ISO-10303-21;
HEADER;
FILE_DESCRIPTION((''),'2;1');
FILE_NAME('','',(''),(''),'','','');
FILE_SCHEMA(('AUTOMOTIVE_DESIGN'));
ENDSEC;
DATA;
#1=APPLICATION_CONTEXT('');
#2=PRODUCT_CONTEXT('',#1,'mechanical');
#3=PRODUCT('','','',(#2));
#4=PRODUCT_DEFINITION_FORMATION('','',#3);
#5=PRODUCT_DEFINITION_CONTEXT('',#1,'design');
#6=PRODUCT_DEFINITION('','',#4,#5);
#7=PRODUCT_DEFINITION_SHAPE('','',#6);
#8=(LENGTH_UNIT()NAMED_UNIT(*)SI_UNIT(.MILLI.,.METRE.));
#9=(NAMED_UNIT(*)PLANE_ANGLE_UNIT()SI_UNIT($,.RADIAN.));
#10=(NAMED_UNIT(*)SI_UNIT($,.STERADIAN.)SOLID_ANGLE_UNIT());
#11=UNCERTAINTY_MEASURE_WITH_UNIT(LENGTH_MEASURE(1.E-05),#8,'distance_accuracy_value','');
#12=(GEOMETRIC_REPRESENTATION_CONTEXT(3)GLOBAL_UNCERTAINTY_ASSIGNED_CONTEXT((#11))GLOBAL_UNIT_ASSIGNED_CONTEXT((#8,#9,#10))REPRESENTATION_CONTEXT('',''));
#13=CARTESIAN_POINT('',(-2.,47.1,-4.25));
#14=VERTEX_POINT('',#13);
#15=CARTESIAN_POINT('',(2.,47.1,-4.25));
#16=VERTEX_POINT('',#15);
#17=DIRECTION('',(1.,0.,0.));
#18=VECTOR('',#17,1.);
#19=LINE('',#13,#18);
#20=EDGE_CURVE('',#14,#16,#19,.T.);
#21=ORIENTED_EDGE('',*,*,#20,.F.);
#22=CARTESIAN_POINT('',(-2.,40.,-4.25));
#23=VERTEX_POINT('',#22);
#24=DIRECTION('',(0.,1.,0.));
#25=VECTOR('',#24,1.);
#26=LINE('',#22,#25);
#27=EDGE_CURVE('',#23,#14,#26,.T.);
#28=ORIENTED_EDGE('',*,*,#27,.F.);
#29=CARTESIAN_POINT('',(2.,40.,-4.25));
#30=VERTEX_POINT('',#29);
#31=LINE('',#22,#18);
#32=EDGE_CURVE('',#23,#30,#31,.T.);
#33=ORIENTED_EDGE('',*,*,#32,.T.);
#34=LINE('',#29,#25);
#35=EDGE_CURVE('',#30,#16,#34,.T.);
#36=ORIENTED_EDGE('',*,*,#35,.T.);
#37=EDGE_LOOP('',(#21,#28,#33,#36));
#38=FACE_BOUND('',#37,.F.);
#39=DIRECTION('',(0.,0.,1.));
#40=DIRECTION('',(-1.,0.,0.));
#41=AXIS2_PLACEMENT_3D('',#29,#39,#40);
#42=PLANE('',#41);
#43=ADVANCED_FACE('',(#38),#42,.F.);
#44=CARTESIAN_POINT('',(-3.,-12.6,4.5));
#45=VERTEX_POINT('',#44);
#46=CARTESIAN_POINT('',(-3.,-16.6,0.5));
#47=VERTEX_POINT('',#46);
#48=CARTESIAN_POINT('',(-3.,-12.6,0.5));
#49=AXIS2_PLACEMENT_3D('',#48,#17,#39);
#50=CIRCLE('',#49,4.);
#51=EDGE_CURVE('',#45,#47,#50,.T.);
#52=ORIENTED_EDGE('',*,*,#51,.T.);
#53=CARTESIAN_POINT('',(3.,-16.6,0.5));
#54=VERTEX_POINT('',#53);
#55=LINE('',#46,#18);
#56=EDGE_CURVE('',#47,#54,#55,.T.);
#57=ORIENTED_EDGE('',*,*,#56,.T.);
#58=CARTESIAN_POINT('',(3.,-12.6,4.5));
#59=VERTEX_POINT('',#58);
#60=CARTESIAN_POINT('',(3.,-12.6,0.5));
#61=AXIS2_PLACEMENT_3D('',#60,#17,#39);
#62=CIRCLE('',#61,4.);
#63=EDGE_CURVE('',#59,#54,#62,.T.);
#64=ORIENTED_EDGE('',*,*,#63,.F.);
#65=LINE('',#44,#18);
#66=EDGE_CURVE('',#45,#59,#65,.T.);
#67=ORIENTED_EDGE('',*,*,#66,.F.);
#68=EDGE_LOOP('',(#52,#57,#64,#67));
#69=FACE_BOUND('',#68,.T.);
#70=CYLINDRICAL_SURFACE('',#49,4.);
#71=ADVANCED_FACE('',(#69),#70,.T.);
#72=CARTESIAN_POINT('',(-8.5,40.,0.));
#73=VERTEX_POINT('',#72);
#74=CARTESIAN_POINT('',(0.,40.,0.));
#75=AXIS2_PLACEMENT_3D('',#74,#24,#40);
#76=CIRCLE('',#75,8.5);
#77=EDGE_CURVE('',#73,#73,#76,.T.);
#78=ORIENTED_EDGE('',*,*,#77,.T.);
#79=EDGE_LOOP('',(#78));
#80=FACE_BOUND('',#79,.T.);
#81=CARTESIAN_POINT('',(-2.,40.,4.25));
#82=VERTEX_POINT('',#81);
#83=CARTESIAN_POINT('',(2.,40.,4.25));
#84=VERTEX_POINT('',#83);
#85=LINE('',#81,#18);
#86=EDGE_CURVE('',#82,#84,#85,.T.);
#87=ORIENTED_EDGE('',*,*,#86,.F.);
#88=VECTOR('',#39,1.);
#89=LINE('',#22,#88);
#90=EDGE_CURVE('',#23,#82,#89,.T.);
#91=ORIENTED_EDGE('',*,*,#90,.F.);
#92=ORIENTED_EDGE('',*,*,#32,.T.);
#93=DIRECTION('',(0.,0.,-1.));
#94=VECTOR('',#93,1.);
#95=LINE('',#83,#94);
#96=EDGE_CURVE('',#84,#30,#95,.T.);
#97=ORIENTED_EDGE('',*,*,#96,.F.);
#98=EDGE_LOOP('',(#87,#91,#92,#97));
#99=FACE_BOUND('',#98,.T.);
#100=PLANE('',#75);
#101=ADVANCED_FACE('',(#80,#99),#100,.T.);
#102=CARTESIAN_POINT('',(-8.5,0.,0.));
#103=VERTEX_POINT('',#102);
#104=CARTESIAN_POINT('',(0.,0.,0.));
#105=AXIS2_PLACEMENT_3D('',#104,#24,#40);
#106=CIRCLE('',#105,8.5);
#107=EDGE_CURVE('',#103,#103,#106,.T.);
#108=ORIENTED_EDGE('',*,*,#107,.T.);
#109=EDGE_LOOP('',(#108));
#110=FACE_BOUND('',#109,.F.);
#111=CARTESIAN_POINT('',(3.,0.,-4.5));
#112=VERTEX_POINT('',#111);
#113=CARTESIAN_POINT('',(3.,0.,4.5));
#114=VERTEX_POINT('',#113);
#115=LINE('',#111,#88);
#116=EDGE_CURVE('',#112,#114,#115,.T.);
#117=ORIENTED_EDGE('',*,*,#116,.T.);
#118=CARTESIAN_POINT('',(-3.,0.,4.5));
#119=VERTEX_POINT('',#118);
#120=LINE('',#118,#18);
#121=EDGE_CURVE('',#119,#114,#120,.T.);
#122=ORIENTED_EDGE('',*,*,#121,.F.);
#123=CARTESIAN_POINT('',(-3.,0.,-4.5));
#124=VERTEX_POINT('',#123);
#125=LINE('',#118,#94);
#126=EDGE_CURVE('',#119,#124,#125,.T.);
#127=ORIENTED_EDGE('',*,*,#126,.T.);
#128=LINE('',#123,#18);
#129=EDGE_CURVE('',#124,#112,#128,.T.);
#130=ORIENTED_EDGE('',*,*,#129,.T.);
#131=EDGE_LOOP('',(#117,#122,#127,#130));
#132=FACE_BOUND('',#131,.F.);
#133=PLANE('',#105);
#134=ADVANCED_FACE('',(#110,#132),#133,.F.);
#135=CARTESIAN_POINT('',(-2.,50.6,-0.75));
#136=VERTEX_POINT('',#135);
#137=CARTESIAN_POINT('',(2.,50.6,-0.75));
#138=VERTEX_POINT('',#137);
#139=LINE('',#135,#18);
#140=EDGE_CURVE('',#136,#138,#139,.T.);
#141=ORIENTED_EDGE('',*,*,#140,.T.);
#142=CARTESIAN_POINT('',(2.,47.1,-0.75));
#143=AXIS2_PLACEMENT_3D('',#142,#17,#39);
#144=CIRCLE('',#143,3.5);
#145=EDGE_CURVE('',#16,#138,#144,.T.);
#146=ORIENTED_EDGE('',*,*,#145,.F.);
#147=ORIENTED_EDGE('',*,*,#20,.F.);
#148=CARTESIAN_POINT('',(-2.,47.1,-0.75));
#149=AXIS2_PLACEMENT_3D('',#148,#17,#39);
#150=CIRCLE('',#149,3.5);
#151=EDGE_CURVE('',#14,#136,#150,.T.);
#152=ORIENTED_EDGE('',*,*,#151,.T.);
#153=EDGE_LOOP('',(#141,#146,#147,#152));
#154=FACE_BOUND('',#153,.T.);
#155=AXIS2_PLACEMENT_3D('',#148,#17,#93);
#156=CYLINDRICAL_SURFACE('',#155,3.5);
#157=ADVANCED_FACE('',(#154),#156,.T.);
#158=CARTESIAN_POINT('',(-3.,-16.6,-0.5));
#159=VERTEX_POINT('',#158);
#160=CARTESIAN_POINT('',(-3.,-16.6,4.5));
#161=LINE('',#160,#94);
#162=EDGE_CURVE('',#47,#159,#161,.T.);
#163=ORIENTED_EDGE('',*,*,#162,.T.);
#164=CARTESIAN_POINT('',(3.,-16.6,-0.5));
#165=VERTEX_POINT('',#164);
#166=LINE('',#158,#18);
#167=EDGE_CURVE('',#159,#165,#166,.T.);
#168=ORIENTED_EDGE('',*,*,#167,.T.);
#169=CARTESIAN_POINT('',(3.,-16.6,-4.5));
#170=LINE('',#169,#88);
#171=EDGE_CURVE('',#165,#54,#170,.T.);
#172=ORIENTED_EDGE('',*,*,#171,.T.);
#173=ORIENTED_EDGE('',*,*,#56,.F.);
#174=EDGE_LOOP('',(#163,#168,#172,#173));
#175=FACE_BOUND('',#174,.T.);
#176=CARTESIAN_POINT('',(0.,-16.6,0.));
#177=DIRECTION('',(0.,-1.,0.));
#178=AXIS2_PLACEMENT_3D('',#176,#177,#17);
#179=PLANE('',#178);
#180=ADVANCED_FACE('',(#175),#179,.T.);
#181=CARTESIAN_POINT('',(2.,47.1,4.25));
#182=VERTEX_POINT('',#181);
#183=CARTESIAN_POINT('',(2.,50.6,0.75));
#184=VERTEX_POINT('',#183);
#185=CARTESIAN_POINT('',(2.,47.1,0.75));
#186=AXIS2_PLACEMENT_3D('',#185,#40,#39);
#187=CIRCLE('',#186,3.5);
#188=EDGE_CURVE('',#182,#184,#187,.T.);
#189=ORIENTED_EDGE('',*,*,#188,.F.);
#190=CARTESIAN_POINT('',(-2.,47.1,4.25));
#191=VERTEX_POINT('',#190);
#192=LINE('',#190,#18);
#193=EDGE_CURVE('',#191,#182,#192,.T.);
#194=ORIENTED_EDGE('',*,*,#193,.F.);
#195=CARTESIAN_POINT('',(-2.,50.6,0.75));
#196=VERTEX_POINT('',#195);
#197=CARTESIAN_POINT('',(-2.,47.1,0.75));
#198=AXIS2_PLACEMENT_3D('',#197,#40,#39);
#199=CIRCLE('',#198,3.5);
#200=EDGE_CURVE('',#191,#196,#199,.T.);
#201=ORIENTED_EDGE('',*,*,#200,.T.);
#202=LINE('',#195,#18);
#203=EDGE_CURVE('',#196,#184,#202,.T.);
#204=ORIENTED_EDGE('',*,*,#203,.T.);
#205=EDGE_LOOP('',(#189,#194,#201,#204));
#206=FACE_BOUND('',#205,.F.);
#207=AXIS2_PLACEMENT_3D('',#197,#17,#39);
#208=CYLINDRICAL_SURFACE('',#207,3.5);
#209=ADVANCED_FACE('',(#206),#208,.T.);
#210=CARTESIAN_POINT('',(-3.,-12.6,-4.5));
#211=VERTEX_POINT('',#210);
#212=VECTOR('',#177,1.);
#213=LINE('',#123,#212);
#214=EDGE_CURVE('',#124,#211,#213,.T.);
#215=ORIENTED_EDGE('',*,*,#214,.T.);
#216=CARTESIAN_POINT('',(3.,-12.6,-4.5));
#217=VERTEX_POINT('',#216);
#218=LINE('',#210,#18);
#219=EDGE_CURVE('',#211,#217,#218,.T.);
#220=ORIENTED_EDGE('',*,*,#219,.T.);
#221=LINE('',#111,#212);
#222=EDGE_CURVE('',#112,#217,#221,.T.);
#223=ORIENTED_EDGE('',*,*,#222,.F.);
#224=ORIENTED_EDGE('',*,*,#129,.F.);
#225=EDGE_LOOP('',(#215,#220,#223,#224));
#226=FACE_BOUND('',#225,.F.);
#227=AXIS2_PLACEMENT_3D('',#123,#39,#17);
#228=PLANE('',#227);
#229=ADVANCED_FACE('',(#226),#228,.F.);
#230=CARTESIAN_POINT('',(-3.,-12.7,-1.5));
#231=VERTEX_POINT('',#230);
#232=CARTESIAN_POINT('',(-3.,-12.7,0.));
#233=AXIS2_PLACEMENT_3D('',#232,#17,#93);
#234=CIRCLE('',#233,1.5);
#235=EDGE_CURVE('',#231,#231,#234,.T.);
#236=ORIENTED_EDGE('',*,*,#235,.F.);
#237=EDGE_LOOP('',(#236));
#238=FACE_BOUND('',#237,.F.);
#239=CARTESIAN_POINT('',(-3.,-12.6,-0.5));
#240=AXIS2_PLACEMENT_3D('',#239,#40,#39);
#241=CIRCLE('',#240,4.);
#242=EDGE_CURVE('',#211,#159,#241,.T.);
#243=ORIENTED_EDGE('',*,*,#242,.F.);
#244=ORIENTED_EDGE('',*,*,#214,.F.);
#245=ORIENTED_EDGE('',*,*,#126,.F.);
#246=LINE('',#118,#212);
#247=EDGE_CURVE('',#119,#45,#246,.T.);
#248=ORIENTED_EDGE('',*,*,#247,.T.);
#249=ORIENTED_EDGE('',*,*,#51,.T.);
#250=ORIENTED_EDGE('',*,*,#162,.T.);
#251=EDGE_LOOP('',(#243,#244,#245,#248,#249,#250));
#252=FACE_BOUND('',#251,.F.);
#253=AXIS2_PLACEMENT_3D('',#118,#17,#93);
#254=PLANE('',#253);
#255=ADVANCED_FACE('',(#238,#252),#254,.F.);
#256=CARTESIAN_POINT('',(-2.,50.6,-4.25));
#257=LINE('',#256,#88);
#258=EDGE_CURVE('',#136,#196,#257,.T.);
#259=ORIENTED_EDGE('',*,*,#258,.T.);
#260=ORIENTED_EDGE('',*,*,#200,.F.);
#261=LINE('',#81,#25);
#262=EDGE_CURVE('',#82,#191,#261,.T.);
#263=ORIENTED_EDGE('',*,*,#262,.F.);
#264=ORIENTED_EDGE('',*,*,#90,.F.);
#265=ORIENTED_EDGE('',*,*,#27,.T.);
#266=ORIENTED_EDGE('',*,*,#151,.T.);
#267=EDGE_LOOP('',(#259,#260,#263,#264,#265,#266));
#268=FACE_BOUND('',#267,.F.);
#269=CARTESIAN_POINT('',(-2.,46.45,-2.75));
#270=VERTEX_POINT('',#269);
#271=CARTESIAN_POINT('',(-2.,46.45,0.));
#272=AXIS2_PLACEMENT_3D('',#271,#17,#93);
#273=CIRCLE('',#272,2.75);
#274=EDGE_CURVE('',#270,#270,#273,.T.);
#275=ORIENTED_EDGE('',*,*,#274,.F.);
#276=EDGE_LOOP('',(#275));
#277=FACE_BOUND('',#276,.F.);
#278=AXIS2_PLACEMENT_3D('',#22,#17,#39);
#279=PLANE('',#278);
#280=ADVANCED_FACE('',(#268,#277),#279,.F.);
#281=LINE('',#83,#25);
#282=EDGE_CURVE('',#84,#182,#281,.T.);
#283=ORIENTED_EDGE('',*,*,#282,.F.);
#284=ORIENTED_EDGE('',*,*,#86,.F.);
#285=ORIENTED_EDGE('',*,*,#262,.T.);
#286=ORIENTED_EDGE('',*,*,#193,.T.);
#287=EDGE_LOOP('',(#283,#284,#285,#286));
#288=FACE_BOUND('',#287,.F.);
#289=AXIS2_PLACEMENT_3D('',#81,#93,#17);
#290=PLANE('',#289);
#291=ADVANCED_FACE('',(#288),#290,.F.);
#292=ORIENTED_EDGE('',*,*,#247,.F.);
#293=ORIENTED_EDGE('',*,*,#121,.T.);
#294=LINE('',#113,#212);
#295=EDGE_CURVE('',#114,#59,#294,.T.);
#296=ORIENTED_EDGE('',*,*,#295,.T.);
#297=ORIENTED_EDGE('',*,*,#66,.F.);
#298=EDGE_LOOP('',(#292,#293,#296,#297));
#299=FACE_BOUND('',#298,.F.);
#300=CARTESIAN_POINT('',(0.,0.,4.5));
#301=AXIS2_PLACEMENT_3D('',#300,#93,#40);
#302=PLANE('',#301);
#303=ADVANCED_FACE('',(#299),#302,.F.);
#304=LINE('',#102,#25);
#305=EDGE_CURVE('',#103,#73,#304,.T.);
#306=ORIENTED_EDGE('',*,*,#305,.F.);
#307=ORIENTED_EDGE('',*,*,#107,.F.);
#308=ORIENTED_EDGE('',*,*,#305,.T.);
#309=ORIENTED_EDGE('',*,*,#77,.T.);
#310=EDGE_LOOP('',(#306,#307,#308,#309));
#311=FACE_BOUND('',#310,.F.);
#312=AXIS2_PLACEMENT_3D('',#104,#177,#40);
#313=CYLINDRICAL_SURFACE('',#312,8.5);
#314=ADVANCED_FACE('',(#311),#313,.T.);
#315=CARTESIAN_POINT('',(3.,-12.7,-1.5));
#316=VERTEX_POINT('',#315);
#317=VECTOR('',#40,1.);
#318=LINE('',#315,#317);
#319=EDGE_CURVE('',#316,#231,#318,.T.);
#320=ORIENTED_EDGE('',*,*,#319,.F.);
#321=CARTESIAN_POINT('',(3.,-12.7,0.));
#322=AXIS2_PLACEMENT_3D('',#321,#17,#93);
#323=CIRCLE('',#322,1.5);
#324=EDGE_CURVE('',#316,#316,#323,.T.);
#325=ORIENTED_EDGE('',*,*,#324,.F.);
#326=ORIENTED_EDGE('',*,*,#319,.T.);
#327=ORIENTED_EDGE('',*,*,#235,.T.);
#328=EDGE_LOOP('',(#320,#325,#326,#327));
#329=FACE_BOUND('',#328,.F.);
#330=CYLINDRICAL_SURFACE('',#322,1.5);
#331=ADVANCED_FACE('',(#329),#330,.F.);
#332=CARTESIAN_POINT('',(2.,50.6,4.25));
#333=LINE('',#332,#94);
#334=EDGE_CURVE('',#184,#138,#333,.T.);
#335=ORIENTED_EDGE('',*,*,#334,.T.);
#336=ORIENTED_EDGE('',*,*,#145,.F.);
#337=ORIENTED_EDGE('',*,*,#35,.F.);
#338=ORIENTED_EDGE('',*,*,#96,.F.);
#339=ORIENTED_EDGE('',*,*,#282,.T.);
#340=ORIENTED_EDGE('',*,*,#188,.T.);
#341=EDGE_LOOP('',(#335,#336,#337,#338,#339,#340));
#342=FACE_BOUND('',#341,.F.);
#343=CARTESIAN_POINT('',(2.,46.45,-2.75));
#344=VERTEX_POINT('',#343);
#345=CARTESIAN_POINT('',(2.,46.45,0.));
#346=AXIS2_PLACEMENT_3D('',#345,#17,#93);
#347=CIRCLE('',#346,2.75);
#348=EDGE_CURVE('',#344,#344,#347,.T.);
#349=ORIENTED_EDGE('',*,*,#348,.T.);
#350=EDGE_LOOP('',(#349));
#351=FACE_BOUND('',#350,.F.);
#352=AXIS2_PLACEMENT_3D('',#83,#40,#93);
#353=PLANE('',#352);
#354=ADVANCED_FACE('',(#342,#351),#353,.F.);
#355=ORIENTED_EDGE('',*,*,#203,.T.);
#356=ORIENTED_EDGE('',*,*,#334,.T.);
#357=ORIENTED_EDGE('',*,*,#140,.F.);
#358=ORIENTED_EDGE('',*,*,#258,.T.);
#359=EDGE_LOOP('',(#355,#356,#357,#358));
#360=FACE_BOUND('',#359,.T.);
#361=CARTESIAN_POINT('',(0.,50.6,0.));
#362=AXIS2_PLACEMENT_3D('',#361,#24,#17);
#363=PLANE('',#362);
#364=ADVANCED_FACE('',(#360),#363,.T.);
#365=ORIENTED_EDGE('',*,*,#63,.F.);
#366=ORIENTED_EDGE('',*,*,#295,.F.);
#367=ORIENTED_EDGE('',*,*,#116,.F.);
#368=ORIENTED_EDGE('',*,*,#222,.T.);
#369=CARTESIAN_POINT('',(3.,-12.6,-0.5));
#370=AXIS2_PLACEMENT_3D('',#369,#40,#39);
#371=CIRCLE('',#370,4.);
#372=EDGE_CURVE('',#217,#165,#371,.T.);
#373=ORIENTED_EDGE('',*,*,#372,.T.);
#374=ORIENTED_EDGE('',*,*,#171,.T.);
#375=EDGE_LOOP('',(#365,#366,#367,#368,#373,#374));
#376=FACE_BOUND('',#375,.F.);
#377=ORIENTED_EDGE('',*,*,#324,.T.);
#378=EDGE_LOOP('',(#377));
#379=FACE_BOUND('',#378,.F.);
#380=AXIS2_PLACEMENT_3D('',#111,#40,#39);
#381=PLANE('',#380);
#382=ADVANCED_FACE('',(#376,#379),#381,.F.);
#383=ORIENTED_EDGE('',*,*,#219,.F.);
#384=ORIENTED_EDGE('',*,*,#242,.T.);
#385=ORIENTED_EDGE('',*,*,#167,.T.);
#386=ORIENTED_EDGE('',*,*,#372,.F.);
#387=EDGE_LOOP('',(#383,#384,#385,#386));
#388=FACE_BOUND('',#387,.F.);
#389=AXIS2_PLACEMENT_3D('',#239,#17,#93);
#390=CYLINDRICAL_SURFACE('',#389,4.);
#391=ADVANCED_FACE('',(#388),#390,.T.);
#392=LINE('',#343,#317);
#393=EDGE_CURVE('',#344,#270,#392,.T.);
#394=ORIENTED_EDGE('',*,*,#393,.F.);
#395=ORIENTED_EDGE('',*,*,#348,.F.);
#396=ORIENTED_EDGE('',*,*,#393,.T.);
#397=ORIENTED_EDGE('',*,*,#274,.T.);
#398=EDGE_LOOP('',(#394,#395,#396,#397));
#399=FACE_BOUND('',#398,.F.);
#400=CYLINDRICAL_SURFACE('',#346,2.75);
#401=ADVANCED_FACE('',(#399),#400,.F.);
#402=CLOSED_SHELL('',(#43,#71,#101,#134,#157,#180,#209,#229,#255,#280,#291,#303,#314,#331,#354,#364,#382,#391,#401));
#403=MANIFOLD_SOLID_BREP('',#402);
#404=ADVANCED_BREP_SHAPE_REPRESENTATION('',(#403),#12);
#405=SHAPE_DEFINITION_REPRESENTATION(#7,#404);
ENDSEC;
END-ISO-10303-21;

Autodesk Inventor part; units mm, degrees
ref_plane "YZ Plane" through (0, 0, 0) normal (1, 0, 0) x (0, 1, 0)
ref_plane "XZ Plane" through (0, 0, 0) normal (0, 1, 0) x (-1, 0, 0)
ref_plane "XY Plane" through (0, 0, 0) normal (0, 0, 1) x (1, 0, 0)
sketch "Sketch1" plane through (0, 0, 0) normal (0, 1, 0) x (-1, 0, 0)
  circle A0 centre (0, 0) radius 8.5
  dimension "d0" = 17
extrude "Extrusion1" add sketch "Sketch1" along normal blind 40
sketch "Sketch2" plane through (0, 40, 0) normal (0, 1, 0) x (1, 0, 0)
  circle A0 centre (0, 0) radius 8.5 projected
  line L0 (0, 0) -> (0, 4.25)
  line L1 (0, 4.25) -> (-2, 4.25)
  line L2 (-2, 4.25) -> (-2, -4.25)
  line L3 (-2, -4.25) -> (2, -4.25)
  line L4 (2, -4.25) -> (2, 4.25)
  line L5 (2, 4.25) -> (0, 4.25)
  dimension "d3" = 4.25
  dimension "d4" = 2
  dimension "d5" = 8.5
  dimension "d6" = 4
extrude "Extrusion2" add sketch "Sketch2" along normal blind 10.6 contours L5 L4 L3 L2 L1
fillet "Fillet1" radius 3.5 2 edges at (0, 50.6, 4.25) (0, 50.6, -4.25)
sketch "Sketch3" plane through (2, 40, 4.25) normal (1, 0, 0) x (0, 0, -1)
  circle A0 centre (4.25, 6.45) radius 2.75
  line L0 (3.5, 10.6) -> (5, 10.6) projected
  point P0 (4.25, -40)
  dimension "d11" = 5.5
  dimension "d26" = 4.15
extrude "Extrusion3" cut sketch "Sketch3" against normal blind 10.5
sketch "Sketch4" plane through (0, 0, 0) normal (0, -1, 0) x (1, 0, 0)
  circle A0 centre (0, 0) radius 8.5 projected
  line L0 (0, 0) -> (0, 4.5)
  line L1 (0, 4.5) -> (-3, 4.5)
  line L2 (-3, 4.5) -> (-3, -4.5)
  line L3 (-3, -4.5) -> (3, -4.5)
  line L4 (3, -4.5) -> (3, 4.5)
  line L5 (3, 4.5) -> (0, 4.5)
  dimension "d14" = 4.5
  dimension "d15" = 3
  dimension "d16" = 9
  dimension "d17" = 6
extrude "Extrusion4" add sketch "Sketch4" along normal blind 16.6 contours L5 L4 L3 L2 L1
fillet "Fillet2" radius 4 2 edges at (0, -16.6, -4.5) (0, -16.6, 4.5)
sketch "Sketch5" plane through (3, 0, 4.5) normal (1, 0, 0) x (0, 0, -1)
  circle A0 centre (4.5, -12.7) radius 1.5
  line L0 (4, -16.6) -> (5, -16.6) projected
  point P0 (4.5, 0)
  dimension "d22" = 3
  dimension "d27" = 3.9
extrude "Extrusion5" cut sketch "Sketch5" against normal blind 16.5
equation "\"d15\" = 0.5 * d17"
properties part number "pruzina"
